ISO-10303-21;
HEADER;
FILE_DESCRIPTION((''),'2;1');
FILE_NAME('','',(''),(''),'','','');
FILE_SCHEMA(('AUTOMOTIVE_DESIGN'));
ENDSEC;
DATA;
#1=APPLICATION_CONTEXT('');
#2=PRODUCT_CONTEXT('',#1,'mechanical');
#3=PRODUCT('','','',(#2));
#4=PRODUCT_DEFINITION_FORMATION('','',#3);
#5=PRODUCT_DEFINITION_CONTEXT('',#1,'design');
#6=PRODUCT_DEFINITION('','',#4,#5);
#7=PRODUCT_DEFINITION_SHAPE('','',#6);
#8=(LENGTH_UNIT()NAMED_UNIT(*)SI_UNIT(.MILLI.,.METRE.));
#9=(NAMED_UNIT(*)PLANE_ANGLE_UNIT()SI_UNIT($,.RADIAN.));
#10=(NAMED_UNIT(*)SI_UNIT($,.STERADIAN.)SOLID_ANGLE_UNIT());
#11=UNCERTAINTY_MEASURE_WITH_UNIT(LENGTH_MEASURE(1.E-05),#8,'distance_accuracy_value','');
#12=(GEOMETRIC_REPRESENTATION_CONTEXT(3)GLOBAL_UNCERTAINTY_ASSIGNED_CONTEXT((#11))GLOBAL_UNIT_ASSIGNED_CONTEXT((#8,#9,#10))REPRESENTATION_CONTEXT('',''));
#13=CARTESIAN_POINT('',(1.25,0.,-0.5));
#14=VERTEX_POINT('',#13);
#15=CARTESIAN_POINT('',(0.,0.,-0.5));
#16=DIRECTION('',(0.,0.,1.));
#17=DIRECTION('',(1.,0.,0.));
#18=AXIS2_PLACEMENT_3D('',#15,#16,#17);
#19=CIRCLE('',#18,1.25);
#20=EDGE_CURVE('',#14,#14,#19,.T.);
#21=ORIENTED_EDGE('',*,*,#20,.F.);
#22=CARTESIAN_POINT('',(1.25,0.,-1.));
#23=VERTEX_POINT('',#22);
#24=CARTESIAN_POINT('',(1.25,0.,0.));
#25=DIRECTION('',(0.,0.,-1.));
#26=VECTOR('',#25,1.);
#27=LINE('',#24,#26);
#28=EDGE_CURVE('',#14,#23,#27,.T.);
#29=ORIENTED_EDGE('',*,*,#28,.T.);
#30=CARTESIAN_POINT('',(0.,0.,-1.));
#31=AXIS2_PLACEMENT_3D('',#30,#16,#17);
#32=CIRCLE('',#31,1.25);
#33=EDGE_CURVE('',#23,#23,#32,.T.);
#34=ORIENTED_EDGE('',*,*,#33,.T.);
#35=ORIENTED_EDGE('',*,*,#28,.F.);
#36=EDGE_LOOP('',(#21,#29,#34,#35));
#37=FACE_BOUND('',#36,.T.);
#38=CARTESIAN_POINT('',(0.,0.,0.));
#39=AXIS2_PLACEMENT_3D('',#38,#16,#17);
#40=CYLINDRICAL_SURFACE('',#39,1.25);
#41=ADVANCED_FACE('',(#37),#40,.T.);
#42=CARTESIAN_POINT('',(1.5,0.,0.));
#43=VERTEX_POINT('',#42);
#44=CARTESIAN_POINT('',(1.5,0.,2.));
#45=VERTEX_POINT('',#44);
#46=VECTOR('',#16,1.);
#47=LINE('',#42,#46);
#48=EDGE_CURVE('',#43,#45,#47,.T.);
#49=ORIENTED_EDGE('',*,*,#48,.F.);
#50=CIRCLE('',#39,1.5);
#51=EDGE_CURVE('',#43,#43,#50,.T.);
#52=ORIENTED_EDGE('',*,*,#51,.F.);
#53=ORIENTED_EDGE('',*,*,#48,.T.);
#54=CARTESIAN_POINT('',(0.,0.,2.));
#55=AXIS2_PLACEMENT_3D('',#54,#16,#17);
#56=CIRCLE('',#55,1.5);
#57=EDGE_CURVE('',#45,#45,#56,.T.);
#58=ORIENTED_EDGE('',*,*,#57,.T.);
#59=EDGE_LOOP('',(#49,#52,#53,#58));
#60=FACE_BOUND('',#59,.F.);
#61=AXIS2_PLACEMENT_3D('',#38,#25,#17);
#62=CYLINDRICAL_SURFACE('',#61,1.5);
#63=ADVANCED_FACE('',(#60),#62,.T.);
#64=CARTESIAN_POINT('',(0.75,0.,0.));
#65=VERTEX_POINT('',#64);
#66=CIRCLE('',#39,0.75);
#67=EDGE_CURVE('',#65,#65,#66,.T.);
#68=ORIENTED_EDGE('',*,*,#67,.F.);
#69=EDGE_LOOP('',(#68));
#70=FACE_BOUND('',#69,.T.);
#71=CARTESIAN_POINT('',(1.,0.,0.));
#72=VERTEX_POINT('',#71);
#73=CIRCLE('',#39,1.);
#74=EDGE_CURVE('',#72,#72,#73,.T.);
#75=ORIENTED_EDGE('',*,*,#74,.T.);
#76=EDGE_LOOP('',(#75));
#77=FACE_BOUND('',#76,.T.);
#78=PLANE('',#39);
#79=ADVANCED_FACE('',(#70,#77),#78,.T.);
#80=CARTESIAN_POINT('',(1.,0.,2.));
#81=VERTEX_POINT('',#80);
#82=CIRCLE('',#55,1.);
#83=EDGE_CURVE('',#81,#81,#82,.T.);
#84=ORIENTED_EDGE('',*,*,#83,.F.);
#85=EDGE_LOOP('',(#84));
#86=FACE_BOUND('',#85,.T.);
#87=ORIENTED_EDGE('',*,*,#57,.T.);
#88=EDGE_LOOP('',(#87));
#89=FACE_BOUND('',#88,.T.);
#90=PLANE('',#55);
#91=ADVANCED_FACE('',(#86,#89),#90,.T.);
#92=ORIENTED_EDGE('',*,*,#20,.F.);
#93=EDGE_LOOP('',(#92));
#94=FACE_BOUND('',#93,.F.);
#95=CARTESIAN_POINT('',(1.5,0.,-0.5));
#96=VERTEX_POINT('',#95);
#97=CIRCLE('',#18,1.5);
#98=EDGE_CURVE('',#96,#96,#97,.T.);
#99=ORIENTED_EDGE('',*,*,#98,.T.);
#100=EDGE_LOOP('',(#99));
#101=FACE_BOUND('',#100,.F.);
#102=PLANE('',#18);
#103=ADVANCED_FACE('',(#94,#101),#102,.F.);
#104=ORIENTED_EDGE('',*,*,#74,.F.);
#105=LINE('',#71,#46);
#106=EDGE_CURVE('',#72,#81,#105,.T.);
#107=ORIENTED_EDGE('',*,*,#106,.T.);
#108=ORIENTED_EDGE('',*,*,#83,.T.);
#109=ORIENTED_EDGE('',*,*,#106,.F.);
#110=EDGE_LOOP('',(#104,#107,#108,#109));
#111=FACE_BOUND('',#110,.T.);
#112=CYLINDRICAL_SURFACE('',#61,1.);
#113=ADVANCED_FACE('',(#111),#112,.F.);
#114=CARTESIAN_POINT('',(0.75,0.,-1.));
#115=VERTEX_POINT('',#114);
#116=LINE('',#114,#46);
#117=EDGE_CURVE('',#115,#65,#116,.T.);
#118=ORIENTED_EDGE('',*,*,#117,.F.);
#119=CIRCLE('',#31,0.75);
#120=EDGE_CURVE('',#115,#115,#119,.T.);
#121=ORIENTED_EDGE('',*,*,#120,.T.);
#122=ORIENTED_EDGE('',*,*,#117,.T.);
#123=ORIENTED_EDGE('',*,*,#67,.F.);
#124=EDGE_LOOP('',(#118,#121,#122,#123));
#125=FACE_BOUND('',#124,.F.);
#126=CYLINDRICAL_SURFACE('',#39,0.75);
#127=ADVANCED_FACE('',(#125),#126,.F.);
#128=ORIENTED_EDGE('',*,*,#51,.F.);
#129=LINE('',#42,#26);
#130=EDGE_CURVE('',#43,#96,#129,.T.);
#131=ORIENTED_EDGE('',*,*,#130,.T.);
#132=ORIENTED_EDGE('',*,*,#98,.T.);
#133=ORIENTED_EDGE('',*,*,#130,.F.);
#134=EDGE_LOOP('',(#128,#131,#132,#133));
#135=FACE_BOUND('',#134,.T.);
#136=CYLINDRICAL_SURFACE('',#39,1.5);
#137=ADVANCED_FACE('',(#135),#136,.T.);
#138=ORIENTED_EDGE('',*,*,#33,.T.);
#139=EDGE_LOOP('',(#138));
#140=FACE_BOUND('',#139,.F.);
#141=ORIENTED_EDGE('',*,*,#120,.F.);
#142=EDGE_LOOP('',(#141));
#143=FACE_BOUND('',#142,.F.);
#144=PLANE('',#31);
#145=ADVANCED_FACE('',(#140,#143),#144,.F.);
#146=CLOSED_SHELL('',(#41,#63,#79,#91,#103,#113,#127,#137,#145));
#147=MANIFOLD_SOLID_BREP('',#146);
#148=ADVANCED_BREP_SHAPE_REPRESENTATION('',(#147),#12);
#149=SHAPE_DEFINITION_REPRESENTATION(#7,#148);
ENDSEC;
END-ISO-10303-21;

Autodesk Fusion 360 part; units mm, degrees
sketch "スケッチ1" plane through (0, 0, 0) normal (0, 0, 1) x (1, 0, 0)
  circle A0 centre (0, 0) radius 0.75
  circle A1 centre (0, 0) radius 1
  circle A2 centre (0, 0) radius 1.5
  circle A3 centre (0, 0) radius 1.25
  dimension "d1" = 1.5
  dimension "d2" = 2
  dimension "d3" = 3
  dimension "d9" = 2.5
extrude "押し出し1" add sketch "スケッチ1" against normal blind 1 contours A1 | A3
extrude "押し出し2" add sketch "スケッチ1" along normal blind 2 contours A2 | A3
extrude "押し出し3" add sketch "スケッチ1" against normal blind 0.5 contours A1 | A2 | A3
